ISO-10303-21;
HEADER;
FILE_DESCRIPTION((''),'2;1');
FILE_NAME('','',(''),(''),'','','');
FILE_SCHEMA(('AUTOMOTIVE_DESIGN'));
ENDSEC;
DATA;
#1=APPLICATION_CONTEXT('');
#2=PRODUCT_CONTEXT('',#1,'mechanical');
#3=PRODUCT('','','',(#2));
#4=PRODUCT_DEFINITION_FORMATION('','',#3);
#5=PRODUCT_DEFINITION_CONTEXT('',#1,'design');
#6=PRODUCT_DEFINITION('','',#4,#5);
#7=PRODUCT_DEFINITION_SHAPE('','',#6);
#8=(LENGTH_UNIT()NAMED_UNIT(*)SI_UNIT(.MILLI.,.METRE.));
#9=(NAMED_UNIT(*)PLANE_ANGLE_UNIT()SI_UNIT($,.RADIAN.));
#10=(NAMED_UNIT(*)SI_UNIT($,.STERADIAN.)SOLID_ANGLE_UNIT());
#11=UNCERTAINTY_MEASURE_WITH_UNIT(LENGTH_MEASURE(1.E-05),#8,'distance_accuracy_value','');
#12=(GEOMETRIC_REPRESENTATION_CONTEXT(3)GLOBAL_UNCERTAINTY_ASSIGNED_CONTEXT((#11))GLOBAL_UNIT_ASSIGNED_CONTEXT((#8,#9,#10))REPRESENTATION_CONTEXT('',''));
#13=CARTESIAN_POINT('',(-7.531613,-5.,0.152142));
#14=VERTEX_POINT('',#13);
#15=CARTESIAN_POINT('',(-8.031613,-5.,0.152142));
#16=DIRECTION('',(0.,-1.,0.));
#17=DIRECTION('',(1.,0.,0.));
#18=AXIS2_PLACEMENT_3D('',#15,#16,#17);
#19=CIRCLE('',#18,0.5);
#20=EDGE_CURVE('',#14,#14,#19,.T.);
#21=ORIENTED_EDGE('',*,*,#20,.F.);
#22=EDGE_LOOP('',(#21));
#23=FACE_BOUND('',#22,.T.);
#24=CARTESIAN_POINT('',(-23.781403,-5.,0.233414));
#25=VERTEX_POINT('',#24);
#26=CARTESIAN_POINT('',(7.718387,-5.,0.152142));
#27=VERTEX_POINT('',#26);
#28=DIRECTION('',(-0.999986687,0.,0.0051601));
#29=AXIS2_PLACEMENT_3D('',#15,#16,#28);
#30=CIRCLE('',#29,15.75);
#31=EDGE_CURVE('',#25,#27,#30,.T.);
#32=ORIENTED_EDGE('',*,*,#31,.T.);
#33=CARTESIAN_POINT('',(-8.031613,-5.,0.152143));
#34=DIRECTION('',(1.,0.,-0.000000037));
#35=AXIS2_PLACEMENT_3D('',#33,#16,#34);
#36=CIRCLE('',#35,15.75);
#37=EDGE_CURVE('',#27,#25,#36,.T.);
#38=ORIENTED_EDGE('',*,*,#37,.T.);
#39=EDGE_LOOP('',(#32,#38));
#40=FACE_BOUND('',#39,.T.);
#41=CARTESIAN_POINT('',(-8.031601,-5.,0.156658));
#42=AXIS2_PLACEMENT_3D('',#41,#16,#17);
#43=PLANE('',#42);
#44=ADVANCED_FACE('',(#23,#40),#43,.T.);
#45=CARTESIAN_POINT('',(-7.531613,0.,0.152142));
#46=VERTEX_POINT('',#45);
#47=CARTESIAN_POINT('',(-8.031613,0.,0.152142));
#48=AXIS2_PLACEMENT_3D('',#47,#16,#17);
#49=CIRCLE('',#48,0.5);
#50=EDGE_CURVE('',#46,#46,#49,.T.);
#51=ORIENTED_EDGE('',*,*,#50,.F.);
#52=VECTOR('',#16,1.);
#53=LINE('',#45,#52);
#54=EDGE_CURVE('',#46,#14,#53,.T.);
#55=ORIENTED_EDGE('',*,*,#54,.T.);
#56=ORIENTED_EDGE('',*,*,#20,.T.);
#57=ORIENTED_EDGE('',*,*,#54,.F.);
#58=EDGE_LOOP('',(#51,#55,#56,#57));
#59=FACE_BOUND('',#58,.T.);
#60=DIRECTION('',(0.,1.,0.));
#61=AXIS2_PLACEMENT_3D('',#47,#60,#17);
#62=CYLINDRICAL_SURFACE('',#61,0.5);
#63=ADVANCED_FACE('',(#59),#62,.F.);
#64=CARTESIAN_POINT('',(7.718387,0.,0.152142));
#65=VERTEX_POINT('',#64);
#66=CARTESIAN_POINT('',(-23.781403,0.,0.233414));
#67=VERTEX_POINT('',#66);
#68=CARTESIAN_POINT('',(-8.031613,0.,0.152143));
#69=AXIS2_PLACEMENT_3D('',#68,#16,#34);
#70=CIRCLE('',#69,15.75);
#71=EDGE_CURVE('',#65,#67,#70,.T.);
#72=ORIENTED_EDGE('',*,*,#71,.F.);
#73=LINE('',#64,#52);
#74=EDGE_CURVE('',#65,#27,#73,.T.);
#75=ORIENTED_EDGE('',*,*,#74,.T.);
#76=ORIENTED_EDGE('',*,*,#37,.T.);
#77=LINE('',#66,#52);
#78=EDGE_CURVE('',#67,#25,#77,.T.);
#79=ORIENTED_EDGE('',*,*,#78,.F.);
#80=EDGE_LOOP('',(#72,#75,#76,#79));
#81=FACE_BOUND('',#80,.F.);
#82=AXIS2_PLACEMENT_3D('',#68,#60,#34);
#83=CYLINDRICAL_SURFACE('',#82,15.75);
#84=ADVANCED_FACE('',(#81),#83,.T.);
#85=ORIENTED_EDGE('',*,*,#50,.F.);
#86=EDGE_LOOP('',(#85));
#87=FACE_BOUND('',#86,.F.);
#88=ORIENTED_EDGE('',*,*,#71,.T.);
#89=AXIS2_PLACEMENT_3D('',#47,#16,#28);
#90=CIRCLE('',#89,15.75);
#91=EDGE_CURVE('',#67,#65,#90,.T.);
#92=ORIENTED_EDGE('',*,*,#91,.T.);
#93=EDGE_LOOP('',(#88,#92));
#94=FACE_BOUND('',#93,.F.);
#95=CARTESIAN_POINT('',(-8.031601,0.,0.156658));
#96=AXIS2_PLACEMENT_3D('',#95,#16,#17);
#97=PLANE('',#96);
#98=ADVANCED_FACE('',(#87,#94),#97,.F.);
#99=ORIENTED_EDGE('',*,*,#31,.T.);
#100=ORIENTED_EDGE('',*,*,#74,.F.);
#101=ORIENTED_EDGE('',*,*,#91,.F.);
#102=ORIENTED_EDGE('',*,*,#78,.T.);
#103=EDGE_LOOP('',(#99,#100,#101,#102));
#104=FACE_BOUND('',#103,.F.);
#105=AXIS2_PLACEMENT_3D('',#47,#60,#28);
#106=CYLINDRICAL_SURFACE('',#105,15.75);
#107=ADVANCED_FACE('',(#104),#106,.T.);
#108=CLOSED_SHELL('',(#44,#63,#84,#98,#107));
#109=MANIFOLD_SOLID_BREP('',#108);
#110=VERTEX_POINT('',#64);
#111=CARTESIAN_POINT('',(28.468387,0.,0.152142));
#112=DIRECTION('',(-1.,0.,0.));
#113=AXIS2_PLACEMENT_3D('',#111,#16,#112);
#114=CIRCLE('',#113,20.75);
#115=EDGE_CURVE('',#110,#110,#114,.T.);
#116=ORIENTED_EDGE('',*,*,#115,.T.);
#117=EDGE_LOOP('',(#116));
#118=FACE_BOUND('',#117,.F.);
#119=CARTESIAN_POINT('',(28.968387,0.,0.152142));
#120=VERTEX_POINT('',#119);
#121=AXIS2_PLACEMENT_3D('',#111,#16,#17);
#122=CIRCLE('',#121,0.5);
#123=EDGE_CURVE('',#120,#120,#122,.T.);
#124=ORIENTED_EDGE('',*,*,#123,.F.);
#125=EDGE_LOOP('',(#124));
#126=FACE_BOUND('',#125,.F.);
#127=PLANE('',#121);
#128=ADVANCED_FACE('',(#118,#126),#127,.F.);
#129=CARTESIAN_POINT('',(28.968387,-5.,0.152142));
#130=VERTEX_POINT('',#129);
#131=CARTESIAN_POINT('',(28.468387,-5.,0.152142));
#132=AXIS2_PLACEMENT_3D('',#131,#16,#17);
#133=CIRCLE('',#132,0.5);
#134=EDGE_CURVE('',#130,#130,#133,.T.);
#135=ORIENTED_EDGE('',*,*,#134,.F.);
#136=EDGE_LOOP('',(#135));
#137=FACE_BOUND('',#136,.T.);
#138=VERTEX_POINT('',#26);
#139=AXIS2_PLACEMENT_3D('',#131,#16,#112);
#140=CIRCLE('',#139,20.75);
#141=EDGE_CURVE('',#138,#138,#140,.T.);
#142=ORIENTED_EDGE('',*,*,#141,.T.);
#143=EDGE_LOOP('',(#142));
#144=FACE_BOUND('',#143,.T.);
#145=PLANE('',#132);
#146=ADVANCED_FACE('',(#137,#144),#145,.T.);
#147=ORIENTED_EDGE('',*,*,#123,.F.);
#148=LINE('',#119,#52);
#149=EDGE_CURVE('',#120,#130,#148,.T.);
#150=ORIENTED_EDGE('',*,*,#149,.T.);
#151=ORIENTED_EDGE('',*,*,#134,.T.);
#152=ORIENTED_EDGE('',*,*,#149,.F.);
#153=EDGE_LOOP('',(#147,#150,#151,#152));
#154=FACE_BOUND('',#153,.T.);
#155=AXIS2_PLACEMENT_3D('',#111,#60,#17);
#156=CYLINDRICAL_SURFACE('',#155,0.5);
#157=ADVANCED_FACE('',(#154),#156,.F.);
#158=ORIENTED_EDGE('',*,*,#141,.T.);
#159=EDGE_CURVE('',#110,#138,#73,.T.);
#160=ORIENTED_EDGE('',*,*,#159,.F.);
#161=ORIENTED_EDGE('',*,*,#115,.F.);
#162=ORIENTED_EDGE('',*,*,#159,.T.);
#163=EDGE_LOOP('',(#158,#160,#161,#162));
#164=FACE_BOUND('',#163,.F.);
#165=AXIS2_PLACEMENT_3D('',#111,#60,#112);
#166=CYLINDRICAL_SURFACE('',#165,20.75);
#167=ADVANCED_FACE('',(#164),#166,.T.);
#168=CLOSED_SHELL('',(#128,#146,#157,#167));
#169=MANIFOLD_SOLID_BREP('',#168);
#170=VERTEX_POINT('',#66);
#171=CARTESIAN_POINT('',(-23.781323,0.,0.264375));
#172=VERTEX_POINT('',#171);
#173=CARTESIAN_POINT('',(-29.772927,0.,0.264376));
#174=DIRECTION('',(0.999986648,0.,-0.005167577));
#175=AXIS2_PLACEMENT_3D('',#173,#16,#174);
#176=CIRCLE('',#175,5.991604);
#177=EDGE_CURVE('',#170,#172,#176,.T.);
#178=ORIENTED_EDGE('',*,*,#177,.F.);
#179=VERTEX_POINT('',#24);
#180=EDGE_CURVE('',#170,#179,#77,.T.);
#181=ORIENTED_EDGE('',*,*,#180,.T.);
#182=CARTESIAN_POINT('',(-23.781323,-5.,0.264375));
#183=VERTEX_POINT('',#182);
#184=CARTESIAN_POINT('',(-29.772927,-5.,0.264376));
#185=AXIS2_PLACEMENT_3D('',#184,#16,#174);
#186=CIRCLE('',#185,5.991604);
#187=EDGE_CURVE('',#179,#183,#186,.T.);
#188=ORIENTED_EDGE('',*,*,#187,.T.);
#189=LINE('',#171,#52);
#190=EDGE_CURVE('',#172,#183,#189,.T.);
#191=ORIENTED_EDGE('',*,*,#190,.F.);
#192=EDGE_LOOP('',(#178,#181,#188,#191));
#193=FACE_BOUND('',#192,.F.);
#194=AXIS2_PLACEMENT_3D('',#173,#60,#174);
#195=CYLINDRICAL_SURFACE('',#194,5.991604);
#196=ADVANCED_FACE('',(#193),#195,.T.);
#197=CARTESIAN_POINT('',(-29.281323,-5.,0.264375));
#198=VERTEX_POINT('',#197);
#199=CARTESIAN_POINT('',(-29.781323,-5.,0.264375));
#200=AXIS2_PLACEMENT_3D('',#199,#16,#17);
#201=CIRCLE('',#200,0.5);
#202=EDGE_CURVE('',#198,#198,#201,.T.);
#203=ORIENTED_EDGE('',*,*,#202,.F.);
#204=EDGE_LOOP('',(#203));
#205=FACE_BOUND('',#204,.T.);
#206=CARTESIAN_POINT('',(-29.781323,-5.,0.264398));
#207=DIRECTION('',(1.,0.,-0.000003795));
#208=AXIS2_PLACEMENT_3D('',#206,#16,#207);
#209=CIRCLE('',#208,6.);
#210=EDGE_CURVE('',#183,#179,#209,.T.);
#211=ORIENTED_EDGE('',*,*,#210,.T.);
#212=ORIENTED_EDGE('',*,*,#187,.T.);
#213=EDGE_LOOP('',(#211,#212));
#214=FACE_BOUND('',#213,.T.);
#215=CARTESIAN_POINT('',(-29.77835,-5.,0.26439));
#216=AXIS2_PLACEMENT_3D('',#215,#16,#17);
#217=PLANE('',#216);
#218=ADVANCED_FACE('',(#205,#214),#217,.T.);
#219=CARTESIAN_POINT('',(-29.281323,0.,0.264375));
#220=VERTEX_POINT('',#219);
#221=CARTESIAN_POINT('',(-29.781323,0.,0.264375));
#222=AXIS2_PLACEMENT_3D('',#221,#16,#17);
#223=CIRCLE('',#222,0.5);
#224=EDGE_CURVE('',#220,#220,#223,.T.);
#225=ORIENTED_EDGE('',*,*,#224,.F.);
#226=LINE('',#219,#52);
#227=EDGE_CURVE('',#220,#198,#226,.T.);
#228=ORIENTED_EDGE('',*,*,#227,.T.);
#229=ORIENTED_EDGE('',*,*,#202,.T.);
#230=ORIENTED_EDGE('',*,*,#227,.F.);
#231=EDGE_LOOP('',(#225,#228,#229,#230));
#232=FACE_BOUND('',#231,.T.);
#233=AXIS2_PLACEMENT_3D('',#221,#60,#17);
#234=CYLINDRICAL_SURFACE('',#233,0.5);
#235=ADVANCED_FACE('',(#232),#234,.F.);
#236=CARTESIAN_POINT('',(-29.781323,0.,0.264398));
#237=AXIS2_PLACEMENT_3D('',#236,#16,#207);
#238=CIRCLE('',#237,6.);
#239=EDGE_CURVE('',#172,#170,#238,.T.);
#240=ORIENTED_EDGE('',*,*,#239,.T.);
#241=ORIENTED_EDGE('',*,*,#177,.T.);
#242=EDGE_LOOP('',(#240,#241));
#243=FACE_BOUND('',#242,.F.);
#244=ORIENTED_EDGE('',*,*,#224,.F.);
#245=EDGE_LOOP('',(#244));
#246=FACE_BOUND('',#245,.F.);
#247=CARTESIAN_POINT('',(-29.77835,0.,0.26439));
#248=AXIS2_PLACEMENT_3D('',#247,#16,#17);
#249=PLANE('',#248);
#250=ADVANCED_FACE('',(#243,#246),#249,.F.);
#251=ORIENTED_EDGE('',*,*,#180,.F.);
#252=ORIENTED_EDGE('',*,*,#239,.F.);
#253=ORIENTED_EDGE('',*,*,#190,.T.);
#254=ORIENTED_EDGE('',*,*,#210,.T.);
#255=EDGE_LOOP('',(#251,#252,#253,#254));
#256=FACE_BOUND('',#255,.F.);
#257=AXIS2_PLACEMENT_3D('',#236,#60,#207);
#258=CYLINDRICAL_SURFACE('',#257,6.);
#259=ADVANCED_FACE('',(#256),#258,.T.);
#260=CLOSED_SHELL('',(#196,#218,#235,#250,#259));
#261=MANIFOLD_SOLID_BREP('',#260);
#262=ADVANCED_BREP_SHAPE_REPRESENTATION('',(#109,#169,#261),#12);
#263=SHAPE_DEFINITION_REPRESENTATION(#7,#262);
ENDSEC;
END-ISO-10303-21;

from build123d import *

# Parameters (mm, degrees)
F0_R     = 0.5
F1_DEPTH = 5
F2_DEPTH = 5
F3_DEPTH = 5


with BuildPart() as f1:
    # F0 (on Front) → F1 (new body)
    with BuildSketch(Plane.XZ):
        with BuildLine():
            ThreePointArc((-23.781403, 0.233414), (-23.781343, 0.248895), (-23.781323, 0.264375))
            ThreePointArc((-23.781323, 0.264375), (-35.781303, 0.279856), (-23.781403, 0.233414))
        make_face()
        with Locations((-29.781323, 0.264375)):
            Circle(F0_R, mode=Mode.SUBTRACT)
    extrude(amount=F1_DEPTH)

    # F0 (on Front) → F2 (join)
    with BuildSketch(Plane.XZ):
        with BuildLine():
            ThreePointArc((7.718387, 0.152142), (-7.990976, 15.90209), (-23.781403, 0.233414))
            ThreePointArc((-23.781403, 0.233414), (-8.072249, -15.597805), (7.718387, 0.152142))
        make_face()
        with Locations((-8.031613, 0.152142)):
            Circle(F0_R, mode=Mode.SUBTRACT)
    extrude(amount=F2_DEPTH)

    # F0 (on Front) → F3 (join)
    with BuildSketch(Plane.XZ):
        with BuildLine():
            ThreePointArc((49.218387, 0.152142), (28.468387, 20.902142), (7.718387, 0.152142))
            ThreePointArc((7.718387, 0.152142), (28.468387, -20.597858), (49.218387, 0.152142))
        make_face()
        with Locations((28.468387, 0.152142)):
            Circle(F0_R, mode=Mode.SUBTRACT)
    extrude(amount=F3_DEPTH)


solid = f1.part
